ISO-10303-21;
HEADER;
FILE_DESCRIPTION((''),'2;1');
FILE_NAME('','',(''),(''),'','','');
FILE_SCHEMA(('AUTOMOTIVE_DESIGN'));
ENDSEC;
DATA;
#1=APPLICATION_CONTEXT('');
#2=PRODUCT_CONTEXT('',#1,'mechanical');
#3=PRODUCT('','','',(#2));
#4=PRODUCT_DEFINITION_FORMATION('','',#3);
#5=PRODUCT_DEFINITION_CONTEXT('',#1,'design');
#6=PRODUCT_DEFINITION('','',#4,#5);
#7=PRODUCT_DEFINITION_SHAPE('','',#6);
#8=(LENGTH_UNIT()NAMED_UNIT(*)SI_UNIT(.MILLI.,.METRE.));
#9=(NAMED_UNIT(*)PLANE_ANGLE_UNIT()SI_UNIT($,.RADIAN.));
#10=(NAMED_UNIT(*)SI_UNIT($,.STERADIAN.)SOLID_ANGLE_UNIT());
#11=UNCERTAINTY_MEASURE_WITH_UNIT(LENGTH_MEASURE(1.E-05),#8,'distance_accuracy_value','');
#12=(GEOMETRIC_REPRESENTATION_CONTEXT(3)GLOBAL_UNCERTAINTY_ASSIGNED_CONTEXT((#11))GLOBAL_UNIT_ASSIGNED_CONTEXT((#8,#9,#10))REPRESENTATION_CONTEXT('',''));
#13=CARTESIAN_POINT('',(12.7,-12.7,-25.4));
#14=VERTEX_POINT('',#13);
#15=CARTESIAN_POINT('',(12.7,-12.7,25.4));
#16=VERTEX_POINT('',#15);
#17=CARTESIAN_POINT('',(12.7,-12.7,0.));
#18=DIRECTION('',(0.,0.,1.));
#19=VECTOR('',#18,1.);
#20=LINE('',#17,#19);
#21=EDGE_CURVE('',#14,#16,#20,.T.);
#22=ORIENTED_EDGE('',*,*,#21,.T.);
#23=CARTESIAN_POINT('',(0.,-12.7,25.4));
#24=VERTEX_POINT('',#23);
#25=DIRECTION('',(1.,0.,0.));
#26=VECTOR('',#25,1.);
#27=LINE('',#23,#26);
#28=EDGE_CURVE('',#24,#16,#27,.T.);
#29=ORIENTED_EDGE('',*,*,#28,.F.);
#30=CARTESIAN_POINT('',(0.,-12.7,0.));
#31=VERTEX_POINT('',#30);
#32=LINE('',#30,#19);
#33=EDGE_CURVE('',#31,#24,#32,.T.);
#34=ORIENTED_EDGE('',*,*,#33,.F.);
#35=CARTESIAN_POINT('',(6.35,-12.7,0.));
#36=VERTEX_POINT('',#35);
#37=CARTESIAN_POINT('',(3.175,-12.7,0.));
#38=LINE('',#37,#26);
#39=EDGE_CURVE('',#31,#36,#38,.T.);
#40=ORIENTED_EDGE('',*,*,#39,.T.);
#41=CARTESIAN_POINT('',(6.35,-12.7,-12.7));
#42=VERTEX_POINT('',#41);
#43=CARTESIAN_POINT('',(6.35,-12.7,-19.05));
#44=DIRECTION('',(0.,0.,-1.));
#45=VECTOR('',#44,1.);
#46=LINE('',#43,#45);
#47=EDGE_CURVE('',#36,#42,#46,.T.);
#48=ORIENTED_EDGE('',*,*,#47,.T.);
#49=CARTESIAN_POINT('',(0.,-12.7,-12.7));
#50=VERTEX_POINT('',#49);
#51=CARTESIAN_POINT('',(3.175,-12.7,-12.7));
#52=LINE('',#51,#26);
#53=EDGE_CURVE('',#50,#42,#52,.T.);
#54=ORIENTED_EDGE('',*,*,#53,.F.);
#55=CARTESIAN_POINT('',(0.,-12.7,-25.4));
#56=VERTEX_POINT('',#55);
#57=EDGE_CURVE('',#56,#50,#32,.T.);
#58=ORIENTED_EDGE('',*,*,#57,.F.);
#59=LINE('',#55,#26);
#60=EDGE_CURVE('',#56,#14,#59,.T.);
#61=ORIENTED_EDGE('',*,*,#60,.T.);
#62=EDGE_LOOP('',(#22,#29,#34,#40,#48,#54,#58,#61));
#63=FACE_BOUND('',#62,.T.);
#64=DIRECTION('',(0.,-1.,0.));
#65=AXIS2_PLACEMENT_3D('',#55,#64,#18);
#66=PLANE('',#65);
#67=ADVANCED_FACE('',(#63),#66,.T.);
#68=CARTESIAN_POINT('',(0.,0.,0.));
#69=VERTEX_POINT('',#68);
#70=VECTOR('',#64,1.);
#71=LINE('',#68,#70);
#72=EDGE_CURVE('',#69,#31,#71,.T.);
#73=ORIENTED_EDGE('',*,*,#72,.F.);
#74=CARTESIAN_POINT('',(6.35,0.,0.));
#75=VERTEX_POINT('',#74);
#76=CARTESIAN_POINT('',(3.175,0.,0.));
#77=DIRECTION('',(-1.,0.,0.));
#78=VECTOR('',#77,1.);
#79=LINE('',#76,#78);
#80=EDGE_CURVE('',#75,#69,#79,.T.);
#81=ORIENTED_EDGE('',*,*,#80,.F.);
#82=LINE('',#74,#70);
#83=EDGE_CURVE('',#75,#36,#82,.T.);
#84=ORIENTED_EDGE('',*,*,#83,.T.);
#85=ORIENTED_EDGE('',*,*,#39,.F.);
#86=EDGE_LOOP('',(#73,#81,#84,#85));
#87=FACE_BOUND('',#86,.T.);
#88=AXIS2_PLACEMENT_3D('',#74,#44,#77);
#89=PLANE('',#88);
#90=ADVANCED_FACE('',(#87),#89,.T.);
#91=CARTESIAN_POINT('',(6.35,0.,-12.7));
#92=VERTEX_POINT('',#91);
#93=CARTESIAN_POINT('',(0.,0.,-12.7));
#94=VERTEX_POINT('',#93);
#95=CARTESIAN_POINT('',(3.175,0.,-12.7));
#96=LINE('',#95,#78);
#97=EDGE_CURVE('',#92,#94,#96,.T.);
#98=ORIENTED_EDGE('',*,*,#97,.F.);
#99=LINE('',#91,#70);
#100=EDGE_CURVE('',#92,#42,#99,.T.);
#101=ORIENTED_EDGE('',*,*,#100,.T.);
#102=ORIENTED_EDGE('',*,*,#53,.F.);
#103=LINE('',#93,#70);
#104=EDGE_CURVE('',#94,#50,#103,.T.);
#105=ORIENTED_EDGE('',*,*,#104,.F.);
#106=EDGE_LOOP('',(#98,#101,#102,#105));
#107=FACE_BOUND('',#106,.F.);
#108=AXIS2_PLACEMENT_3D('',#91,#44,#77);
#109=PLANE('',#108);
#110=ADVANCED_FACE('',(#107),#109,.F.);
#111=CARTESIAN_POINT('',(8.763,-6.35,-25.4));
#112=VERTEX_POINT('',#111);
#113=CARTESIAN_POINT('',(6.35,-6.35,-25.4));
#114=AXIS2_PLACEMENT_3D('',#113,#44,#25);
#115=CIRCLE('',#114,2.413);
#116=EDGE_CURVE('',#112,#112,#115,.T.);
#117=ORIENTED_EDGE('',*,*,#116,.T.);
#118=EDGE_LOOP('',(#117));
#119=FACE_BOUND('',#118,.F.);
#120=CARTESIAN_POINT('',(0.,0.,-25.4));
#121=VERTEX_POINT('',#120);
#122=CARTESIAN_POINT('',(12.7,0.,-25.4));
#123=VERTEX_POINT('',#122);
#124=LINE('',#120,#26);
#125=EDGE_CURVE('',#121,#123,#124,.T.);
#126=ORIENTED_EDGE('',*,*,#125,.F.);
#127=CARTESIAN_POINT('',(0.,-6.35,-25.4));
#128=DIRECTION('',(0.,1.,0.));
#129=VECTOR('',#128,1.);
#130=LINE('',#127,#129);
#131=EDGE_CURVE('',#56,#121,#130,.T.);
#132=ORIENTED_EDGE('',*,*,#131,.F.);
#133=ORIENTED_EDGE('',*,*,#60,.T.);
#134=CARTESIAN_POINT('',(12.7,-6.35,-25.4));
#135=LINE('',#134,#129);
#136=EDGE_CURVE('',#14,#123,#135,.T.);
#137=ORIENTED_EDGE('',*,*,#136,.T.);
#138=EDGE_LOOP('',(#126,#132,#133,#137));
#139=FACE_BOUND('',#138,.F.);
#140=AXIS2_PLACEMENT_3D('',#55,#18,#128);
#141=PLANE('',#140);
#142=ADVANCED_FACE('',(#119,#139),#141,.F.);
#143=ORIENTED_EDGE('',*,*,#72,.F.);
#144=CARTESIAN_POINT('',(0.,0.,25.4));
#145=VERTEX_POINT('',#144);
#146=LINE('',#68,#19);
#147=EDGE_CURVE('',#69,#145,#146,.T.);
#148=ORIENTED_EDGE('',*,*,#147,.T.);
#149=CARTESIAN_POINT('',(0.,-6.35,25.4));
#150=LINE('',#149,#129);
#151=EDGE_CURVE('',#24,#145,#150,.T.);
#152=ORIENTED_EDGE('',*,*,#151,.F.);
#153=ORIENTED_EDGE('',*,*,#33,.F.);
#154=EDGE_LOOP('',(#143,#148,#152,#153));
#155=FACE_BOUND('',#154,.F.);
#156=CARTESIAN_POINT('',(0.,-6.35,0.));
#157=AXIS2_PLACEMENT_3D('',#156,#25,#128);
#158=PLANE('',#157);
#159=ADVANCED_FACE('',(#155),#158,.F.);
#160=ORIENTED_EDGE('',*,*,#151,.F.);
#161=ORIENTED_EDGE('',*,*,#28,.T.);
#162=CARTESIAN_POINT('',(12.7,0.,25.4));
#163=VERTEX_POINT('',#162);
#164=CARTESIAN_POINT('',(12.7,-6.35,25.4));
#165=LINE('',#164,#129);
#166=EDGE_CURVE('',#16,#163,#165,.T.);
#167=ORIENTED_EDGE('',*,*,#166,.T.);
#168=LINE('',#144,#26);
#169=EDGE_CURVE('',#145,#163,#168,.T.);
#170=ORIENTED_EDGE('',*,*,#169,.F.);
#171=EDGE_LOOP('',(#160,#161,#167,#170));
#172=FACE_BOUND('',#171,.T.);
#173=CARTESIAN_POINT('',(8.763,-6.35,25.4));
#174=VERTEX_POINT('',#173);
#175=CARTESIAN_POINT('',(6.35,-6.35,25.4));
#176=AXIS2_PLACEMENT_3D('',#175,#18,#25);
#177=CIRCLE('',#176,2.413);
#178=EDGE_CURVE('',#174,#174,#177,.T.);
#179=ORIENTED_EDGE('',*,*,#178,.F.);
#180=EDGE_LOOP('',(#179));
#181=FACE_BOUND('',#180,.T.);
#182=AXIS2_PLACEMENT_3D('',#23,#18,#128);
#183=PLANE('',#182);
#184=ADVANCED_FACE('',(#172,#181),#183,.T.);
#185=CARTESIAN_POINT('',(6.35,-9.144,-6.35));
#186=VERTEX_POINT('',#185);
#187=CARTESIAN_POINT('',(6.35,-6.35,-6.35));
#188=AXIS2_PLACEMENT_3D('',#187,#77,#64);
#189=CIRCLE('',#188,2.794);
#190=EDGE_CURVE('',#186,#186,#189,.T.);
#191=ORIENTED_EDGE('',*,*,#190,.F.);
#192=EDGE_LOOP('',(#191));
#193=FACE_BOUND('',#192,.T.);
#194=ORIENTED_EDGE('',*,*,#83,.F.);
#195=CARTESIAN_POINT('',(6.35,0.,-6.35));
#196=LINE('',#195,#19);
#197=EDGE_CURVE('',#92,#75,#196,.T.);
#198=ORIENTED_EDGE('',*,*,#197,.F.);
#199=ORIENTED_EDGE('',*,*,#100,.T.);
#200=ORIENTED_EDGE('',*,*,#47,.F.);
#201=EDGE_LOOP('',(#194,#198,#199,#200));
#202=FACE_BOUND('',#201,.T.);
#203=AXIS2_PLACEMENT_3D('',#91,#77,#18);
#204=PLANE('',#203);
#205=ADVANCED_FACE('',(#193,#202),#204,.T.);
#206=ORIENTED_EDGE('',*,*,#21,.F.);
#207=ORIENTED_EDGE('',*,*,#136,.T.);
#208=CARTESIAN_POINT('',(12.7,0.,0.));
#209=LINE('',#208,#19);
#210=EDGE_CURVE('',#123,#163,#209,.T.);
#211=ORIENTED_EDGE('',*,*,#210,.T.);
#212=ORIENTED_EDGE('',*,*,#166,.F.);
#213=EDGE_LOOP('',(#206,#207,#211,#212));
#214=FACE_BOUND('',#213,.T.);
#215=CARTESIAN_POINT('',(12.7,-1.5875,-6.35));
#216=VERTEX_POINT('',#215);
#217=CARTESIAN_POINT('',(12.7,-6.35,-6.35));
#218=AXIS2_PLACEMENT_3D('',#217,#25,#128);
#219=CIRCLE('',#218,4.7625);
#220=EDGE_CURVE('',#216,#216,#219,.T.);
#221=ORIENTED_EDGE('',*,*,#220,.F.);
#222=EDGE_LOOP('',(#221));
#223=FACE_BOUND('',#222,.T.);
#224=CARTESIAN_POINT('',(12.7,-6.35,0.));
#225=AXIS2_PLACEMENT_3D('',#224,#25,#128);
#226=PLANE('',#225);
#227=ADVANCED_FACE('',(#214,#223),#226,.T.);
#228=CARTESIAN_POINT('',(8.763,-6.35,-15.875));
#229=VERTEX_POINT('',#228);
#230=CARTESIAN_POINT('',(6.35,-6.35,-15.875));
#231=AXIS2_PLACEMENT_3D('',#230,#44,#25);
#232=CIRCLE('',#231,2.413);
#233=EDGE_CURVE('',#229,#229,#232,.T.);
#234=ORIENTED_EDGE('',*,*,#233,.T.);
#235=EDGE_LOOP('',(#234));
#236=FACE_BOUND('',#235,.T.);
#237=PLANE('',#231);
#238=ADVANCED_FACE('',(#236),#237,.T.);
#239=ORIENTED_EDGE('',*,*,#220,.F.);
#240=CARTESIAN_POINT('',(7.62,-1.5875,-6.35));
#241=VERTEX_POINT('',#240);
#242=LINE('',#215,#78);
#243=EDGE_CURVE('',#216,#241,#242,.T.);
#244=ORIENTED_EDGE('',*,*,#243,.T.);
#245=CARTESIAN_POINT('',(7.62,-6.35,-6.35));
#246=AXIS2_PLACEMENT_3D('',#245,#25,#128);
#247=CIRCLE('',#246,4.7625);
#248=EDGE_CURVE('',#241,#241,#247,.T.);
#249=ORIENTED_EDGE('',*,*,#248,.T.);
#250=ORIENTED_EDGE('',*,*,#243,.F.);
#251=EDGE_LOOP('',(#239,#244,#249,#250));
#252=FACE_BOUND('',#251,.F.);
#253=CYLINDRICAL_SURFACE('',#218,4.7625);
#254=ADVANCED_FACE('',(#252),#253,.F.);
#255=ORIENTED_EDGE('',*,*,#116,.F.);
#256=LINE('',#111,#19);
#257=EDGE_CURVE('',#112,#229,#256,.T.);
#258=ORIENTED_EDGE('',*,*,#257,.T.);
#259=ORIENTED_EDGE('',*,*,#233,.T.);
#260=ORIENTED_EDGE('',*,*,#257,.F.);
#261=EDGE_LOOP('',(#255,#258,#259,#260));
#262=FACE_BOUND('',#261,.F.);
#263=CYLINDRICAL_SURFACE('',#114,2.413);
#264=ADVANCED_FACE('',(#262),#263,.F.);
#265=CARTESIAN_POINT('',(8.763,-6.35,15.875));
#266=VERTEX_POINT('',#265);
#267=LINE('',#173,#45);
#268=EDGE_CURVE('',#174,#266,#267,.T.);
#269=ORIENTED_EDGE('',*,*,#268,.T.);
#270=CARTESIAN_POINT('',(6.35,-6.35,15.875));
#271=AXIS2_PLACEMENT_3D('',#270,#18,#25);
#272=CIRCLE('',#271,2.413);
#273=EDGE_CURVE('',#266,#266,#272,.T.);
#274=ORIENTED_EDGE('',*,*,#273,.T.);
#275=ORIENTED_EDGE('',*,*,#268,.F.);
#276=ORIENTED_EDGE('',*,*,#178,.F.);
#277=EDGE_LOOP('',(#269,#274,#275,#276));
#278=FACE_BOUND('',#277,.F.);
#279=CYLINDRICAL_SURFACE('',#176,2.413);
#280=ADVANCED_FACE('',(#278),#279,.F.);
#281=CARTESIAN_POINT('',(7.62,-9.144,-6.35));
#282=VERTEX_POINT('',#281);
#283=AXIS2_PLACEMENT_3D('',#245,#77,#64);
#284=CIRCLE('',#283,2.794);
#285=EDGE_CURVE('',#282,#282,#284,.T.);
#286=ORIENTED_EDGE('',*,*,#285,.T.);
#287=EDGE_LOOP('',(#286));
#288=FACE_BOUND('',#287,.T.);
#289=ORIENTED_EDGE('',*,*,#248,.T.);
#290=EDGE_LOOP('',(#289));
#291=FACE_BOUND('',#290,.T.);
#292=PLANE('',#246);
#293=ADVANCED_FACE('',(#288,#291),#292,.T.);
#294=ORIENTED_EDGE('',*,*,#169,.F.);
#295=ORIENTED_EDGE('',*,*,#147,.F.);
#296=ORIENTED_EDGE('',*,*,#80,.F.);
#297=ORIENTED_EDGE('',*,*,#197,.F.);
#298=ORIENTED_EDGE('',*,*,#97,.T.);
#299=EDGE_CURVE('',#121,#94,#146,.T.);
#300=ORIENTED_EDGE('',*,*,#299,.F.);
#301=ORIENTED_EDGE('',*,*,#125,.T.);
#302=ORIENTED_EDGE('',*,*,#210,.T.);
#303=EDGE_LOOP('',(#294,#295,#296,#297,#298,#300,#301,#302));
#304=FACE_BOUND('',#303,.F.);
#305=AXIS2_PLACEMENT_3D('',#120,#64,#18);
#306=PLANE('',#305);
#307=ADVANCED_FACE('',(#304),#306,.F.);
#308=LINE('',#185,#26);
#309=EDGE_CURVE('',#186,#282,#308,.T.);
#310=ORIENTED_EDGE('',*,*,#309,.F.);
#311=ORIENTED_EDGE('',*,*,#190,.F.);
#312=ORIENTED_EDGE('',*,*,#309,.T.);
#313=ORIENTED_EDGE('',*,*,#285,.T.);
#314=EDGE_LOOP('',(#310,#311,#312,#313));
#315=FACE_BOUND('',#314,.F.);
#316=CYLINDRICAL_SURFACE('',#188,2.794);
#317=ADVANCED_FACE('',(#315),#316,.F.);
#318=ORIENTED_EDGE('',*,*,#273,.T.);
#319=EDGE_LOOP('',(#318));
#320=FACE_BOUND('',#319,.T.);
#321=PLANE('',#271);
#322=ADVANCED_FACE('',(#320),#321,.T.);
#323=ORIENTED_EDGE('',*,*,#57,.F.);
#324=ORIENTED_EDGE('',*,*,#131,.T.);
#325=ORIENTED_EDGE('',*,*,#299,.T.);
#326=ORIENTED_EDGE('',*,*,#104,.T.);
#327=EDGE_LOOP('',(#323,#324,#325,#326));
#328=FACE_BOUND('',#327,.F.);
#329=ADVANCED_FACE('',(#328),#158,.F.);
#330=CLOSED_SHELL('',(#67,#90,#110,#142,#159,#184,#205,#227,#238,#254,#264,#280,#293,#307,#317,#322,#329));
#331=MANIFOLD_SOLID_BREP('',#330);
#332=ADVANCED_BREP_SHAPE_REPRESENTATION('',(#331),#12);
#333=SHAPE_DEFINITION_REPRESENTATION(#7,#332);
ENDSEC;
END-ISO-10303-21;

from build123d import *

# Parameters (mm, degrees)
F0_W      = 12.7
F0_H      = 50.8
F1_DEPTH  = 12.7
F2_W      = 6.35
F2_H      = 12.7
F3_DEPTH  = 12.701
F4_R      = 2.794
F5_DEPTH  = 6.351
F6_R      = 4.7625
F7_DEPTH  = 5.08
F8_R      = 2.413
F9_DEPTH  = 9.525
F10_R     = 2.413
F11_DEPTH = 9.525


with BuildPart() as f1:
    # F0 (on Right) → F1 (new body)
    with BuildSketch(Plane.YZ):
        with Locations((-6.35, 0)):
            Rectangle(F0_W, F0_H)
    extrude(amount=F1_DEPTH)

    # F2 (on face) → F3 (cut, through all)
    with BuildSketch(Plane(origin=(0, 0, 0), x_dir=(-1, 0, 0), z_dir=(0, 1, 0))):
        with Locations((-3.175, -6.35)):
            Rectangle(F2_W, F2_H)
    extrude(amount=-F3_DEPTH, mode=Mode.SUBTRACT)

    # F4 (on face) → F5 (cut, through all)
    with BuildSketch(Plane(origin=(6.35, 0, 0), x_dir=(0, -1, 0), z_dir=(-1, 0, 0))):
        with Locations((6.35, -6.35)):
            Circle(F4_R)
    extrude(amount=-F5_DEPTH, mode=Mode.SUBTRACT)

    # F6 (on face) → F7 (cut)
    with BuildSketch(Plane.YZ.offset(12.7)):
        with Locations((-6.35, -6.35)):
            Circle(F6_R)
    extrude(amount=-F7_DEPTH, mode=Mode.SUBTRACT)

    # F8 (on face) → F9 (cut)
    with BuildSketch(Plane.XY.offset(25.4)):
        with Locations((6.35, -6.35)):
            Circle(F8_R)
    extrude(amount=-F9_DEPTH, mode=Mode.SUBTRACT)

    # F10 (on face) → F11 (cut)
    with BuildSketch(Plane(origin=(0, 0, -25.4), x_dir=(1, 0, 0), z_dir=(0, 0, -1))):
        with Locations((6.35, 6.35)):
            Circle(F10_R)
    extrude(amount=-F11_DEPTH, mode=Mode.SUBTRACT)


solid = f1.part
